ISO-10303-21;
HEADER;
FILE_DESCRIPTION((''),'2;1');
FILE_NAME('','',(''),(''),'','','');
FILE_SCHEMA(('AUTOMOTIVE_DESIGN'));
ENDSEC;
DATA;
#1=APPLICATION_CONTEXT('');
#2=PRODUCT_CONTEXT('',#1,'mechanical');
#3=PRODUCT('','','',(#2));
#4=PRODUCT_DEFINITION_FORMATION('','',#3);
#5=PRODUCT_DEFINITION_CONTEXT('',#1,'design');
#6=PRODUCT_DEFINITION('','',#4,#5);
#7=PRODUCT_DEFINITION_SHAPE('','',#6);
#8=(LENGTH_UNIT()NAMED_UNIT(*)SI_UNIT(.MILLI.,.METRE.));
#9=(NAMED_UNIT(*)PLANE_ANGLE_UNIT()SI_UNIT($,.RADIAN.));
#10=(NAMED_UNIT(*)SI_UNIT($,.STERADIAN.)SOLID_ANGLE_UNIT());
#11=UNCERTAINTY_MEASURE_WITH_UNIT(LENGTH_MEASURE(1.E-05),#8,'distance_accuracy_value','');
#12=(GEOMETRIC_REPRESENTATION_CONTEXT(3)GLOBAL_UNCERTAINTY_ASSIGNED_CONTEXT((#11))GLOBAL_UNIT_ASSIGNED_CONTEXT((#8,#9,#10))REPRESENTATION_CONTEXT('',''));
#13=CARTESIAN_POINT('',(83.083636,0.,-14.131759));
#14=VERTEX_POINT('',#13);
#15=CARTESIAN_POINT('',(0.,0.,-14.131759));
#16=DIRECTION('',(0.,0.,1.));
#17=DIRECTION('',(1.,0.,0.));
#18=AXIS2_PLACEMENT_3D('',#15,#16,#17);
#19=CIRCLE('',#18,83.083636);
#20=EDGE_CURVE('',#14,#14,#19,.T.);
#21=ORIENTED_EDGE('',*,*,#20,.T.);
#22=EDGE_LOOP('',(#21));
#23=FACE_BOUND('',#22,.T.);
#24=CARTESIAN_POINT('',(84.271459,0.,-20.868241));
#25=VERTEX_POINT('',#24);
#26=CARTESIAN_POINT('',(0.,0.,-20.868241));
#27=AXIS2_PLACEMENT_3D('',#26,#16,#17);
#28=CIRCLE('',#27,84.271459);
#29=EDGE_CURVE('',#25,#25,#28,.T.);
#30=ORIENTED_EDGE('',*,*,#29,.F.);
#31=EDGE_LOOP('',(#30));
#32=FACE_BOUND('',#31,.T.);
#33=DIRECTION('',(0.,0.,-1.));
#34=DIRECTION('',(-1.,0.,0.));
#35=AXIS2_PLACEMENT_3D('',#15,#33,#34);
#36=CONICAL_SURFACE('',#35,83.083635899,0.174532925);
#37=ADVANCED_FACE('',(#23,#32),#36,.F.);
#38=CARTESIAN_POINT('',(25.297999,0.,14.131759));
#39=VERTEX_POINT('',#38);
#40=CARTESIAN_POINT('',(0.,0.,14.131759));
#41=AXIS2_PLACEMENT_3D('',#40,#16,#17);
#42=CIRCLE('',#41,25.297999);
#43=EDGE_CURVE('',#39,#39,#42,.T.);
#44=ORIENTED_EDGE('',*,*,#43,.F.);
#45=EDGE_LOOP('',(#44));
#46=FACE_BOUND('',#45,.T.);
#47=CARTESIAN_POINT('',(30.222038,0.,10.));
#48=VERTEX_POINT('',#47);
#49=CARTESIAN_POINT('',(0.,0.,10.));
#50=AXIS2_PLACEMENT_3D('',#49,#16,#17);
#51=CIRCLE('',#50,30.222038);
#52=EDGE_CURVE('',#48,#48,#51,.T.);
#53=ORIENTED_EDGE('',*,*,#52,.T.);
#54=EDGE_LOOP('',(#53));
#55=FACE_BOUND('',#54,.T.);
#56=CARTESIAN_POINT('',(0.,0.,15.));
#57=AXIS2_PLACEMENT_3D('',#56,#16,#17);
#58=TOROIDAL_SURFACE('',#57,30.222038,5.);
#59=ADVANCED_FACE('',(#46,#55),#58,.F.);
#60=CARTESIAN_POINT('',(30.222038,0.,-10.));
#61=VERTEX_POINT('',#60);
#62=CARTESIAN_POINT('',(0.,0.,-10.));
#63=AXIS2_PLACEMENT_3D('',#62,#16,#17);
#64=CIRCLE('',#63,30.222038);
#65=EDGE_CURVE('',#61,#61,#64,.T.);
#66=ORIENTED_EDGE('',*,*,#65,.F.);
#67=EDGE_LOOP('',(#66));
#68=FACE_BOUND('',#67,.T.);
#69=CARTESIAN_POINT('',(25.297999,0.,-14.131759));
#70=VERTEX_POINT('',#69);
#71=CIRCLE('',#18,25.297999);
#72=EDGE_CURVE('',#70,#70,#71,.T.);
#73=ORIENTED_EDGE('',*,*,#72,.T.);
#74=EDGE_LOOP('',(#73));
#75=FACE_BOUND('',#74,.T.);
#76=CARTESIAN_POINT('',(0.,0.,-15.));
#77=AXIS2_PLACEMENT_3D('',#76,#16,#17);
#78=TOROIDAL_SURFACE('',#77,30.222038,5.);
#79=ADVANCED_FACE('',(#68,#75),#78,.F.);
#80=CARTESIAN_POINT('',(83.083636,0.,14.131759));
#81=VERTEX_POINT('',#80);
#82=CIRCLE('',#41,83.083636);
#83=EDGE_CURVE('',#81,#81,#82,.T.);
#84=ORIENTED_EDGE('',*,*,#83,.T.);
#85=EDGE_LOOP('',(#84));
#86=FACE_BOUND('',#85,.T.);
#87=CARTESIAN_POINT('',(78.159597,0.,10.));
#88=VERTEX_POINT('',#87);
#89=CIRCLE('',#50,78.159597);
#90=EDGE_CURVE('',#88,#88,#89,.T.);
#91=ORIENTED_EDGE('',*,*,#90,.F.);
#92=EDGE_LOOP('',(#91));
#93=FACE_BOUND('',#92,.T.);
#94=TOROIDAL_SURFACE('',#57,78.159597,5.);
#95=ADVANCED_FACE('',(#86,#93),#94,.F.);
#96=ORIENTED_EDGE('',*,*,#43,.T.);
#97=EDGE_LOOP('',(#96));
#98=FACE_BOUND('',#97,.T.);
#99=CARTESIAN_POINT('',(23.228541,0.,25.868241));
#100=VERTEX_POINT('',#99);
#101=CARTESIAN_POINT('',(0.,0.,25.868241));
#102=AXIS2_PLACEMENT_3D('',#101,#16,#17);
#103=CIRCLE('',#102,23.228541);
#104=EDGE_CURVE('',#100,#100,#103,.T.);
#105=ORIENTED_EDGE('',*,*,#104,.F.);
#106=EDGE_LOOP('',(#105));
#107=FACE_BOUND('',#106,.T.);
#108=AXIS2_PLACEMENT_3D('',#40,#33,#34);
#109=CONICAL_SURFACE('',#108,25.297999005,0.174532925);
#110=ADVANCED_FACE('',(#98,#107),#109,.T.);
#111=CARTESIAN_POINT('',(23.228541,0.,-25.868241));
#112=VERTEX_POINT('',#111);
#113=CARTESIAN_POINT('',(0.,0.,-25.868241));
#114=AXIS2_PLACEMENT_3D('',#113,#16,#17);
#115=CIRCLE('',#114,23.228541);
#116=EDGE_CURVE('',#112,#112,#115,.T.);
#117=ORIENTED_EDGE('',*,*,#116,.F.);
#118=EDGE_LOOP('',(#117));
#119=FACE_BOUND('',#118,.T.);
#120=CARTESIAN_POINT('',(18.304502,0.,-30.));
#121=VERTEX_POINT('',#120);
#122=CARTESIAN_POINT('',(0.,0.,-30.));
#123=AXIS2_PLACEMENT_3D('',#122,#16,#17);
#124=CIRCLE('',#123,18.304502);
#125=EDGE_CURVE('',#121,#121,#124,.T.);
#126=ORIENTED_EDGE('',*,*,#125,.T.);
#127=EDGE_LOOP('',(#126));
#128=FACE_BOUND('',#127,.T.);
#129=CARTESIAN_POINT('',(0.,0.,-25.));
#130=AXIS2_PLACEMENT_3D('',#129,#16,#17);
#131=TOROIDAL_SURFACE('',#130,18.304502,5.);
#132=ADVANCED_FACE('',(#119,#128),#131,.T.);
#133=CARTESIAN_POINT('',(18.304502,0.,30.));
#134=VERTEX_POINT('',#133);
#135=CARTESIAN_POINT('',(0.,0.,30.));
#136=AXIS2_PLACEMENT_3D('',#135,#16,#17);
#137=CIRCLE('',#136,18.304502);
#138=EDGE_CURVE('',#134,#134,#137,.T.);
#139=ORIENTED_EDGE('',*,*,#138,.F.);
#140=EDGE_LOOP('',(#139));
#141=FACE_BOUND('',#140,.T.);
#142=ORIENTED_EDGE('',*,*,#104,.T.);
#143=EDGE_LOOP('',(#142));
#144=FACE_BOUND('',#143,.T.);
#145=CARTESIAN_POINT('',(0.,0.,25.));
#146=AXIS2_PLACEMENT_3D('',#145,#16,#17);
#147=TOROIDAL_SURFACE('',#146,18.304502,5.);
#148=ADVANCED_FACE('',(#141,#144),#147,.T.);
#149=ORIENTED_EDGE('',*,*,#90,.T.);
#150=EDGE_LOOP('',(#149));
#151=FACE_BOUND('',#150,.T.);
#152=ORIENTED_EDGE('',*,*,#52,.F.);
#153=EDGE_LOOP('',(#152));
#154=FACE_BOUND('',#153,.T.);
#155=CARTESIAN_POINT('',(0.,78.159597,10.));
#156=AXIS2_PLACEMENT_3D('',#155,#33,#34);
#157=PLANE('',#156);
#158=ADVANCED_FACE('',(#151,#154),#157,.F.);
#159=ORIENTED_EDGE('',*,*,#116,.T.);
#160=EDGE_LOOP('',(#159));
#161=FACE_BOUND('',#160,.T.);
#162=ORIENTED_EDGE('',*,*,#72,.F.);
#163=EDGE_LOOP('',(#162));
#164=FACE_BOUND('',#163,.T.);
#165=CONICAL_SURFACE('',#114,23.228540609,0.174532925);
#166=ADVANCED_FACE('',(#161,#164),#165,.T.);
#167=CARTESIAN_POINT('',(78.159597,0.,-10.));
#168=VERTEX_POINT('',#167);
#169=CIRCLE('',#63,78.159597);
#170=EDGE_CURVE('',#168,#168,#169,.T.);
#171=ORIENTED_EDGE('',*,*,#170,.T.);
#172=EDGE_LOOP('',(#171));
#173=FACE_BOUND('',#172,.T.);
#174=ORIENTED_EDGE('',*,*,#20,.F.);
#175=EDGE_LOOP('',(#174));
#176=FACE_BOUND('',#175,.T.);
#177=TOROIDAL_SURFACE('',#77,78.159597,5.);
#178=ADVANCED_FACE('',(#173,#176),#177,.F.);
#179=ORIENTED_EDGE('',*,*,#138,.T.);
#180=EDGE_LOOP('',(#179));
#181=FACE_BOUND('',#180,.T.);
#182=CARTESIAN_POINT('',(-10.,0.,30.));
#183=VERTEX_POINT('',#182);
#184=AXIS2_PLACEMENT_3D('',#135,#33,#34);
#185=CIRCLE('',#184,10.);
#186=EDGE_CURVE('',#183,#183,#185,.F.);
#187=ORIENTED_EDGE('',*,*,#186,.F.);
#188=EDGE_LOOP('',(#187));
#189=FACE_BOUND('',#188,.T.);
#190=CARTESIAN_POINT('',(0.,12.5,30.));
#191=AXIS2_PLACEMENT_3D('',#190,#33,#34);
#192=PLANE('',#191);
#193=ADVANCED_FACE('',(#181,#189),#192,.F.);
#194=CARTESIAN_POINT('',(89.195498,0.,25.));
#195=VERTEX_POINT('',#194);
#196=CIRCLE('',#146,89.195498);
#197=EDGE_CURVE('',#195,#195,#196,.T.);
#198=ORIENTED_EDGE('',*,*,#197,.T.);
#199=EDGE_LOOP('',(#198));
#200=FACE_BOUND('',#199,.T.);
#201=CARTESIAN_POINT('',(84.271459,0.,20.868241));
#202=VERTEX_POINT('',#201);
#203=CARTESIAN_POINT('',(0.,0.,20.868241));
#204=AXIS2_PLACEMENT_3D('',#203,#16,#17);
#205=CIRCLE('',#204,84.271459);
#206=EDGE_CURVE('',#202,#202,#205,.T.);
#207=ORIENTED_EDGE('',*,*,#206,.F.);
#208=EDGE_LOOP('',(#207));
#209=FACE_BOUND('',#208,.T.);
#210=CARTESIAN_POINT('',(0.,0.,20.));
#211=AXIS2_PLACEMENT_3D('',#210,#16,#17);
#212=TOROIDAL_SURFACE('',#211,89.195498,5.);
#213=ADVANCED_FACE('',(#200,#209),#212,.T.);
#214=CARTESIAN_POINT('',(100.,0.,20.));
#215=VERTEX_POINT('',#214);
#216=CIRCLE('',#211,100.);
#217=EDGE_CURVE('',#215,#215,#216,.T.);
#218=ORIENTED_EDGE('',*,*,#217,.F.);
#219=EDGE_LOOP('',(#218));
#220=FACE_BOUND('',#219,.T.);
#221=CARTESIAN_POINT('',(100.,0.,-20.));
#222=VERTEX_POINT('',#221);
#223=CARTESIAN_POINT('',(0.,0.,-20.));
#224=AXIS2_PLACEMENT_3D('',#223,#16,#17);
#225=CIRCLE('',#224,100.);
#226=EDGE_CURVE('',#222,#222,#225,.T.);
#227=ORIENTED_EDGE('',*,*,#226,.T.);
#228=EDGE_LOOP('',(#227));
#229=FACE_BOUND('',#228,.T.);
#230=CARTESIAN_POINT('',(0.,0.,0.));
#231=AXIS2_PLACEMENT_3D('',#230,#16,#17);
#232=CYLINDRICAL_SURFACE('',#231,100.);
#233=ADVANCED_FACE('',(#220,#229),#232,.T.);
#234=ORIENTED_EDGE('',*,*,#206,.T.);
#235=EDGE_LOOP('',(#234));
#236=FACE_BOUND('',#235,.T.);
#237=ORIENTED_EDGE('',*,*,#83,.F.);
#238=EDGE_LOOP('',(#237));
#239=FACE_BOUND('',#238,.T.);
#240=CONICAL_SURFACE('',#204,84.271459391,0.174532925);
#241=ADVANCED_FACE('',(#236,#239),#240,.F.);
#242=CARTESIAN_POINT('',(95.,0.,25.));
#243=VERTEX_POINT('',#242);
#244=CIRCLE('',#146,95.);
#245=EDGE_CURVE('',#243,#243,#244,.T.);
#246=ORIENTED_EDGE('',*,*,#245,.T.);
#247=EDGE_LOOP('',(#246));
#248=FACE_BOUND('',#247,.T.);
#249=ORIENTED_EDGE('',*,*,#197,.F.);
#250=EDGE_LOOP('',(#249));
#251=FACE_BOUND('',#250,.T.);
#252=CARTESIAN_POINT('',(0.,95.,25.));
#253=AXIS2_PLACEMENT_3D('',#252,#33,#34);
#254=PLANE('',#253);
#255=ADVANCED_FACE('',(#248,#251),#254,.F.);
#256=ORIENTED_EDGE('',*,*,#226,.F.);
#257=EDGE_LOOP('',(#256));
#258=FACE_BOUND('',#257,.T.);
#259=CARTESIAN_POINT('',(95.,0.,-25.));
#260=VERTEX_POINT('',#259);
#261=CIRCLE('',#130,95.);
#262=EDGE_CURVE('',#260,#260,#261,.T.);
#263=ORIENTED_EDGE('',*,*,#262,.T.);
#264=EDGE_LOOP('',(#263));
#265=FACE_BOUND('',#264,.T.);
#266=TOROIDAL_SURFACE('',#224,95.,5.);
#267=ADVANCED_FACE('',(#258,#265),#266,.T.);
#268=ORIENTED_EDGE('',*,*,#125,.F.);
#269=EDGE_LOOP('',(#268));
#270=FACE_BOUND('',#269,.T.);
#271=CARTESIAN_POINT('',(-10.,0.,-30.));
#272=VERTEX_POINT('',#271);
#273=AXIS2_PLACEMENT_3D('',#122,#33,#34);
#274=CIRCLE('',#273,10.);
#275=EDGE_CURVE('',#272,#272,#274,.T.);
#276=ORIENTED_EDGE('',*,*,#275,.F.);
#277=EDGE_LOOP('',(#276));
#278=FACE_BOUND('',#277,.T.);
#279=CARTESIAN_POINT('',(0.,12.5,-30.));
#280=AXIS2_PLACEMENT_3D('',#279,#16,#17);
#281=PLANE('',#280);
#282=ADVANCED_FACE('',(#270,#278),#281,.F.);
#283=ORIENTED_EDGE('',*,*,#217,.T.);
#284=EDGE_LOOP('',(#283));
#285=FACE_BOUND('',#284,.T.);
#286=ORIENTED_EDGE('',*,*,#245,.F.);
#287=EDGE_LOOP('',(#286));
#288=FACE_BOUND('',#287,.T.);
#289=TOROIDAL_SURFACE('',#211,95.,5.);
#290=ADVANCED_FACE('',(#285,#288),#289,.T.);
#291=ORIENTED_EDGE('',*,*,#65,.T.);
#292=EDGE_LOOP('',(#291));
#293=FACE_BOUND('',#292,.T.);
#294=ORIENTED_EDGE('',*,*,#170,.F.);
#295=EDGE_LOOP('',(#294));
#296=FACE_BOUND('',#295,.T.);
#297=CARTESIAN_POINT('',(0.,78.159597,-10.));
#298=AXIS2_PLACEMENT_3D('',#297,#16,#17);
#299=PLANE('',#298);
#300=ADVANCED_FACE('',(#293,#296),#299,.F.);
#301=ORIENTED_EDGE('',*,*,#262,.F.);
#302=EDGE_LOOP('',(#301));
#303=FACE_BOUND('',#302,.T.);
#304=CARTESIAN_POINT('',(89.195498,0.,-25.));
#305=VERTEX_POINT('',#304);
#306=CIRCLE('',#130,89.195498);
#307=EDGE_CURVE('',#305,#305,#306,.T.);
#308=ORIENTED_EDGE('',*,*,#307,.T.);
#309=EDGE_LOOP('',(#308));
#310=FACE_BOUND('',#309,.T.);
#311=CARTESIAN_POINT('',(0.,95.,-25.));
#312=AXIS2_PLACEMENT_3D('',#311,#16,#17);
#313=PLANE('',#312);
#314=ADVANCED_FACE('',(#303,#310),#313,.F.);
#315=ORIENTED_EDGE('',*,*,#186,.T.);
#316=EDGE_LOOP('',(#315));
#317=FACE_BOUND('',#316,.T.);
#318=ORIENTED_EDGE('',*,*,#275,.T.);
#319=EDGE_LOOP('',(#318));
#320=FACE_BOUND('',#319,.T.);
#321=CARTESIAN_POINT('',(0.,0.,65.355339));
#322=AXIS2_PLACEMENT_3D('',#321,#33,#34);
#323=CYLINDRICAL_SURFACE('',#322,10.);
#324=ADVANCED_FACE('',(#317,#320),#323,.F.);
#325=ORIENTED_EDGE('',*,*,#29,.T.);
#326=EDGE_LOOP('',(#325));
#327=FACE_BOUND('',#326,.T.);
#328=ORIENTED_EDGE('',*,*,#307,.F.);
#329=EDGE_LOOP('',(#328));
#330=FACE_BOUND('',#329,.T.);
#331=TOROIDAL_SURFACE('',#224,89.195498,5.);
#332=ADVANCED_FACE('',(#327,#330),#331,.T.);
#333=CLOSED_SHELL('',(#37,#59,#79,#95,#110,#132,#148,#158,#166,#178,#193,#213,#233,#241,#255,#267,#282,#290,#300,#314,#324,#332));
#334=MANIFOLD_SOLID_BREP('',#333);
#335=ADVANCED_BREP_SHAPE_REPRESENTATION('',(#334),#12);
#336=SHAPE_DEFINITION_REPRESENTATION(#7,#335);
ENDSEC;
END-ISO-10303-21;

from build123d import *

# Parameters (mm, degrees)
ESTRUSIONE1_START = -60
SCHIZZO2_R        = 12.5
SCHIZZO2_R_2      = 10
ESTRUSIONE1_DEPTH = 60


with BuildPart() as part:
    # Schizzo1 → Rivoluzione1 (revolve)
    with BuildSketch(Plane(origin=(0, 0, 0), x_dir=(0, 0, -1), z_dir=(1, 0, 0)), mode=Mode.PRIVATE) as rivoluzione1_sk:
        with BuildLine():
            Line((-20, 100), (20, 100))
            ThreePointArc((20, 100), (23.535533906, 98.535533906), (25, 95))
            Line((25, 95), (25, 89.195498156))
            ThreePointArc((25, 89.195498156), (23.830222216, 85.981560107), (20.868240888, 84.271459391))
            Line((20.868240888, 84.271459391), (14.131759112, 83.083635899))
            ThreePointArc((14.131759112, 83.083635899), (11.169777784, 81.373535182), (10, 78.159597133))
            Line((10, 78.159597133), (10, 30.22203777))
            ThreePointArc((10, 30.22203777), (11.169777784, 27.008099722), (14.131759112, 25.297999005))
            Line((14.131759112, 25.297999005), (25.868240888, 23.228540609))
            ThreePointArc((25.868240888, 23.228540609), (28.830222216, 21.518439893), (30, 18.304501844))
            Line((30, 18.304501844), (30, 12.5))
            Line((30, 12.5), (-30, 12.5))
            Line((-30, 12.5), (-30, 18.304501844))
            ThreePointArc((-30, 18.304501844), (-28.830222216, 21.518439893), (-25.868240888, 23.228540609))
            Line((-25.868240888, 23.228540609), (-14.131759112, 25.297999005))
            ThreePointArc((-14.131759112, 25.297999005), (-11.169777784, 27.008099722), (-10, 30.22203777))
            Line((-10, 30.22203777), (-10, 78.159597133))
            ThreePointArc((-10, 78.159597133), (-11.169777784, 81.373535182), (-14.131759112, 83.083635899))
            Line((-14.131759112, 83.083635899), (-20.868240888, 84.271459391))
            ThreePointArc((-20.868240888, 84.271459391), (-23.830222216, 85.981560107), (-25, 89.195498156))
            Line((-25, 89.195498156), (-25, 95))
            ThreePointArc((-25, 95), (-23.535533906, 98.535533906), (-20, 100))
        make_face()
    revolve(rivoluzione1_sk.sketch.rotate(Axis((0, 0, 0), (0, 0, -1)), 90), axis=Axis((0, 0, 0), (0, 0, -1)))

    # Schizzo2 → Estrusione1 (add)
    with BuildSketch(Plane(origin=(0, 0, -30), x_dir=(-1, 0, 0), z_dir=(0, 0, -1)).offset(ESTRUSIONE1_START)):
        Circle(SCHIZZO2_R)
        Circle(SCHIZZO2_R_2, mode=Mode.SUBTRACT)
    extrude(amount=ESTRUSIONE1_DEPTH)


solid = part.part
